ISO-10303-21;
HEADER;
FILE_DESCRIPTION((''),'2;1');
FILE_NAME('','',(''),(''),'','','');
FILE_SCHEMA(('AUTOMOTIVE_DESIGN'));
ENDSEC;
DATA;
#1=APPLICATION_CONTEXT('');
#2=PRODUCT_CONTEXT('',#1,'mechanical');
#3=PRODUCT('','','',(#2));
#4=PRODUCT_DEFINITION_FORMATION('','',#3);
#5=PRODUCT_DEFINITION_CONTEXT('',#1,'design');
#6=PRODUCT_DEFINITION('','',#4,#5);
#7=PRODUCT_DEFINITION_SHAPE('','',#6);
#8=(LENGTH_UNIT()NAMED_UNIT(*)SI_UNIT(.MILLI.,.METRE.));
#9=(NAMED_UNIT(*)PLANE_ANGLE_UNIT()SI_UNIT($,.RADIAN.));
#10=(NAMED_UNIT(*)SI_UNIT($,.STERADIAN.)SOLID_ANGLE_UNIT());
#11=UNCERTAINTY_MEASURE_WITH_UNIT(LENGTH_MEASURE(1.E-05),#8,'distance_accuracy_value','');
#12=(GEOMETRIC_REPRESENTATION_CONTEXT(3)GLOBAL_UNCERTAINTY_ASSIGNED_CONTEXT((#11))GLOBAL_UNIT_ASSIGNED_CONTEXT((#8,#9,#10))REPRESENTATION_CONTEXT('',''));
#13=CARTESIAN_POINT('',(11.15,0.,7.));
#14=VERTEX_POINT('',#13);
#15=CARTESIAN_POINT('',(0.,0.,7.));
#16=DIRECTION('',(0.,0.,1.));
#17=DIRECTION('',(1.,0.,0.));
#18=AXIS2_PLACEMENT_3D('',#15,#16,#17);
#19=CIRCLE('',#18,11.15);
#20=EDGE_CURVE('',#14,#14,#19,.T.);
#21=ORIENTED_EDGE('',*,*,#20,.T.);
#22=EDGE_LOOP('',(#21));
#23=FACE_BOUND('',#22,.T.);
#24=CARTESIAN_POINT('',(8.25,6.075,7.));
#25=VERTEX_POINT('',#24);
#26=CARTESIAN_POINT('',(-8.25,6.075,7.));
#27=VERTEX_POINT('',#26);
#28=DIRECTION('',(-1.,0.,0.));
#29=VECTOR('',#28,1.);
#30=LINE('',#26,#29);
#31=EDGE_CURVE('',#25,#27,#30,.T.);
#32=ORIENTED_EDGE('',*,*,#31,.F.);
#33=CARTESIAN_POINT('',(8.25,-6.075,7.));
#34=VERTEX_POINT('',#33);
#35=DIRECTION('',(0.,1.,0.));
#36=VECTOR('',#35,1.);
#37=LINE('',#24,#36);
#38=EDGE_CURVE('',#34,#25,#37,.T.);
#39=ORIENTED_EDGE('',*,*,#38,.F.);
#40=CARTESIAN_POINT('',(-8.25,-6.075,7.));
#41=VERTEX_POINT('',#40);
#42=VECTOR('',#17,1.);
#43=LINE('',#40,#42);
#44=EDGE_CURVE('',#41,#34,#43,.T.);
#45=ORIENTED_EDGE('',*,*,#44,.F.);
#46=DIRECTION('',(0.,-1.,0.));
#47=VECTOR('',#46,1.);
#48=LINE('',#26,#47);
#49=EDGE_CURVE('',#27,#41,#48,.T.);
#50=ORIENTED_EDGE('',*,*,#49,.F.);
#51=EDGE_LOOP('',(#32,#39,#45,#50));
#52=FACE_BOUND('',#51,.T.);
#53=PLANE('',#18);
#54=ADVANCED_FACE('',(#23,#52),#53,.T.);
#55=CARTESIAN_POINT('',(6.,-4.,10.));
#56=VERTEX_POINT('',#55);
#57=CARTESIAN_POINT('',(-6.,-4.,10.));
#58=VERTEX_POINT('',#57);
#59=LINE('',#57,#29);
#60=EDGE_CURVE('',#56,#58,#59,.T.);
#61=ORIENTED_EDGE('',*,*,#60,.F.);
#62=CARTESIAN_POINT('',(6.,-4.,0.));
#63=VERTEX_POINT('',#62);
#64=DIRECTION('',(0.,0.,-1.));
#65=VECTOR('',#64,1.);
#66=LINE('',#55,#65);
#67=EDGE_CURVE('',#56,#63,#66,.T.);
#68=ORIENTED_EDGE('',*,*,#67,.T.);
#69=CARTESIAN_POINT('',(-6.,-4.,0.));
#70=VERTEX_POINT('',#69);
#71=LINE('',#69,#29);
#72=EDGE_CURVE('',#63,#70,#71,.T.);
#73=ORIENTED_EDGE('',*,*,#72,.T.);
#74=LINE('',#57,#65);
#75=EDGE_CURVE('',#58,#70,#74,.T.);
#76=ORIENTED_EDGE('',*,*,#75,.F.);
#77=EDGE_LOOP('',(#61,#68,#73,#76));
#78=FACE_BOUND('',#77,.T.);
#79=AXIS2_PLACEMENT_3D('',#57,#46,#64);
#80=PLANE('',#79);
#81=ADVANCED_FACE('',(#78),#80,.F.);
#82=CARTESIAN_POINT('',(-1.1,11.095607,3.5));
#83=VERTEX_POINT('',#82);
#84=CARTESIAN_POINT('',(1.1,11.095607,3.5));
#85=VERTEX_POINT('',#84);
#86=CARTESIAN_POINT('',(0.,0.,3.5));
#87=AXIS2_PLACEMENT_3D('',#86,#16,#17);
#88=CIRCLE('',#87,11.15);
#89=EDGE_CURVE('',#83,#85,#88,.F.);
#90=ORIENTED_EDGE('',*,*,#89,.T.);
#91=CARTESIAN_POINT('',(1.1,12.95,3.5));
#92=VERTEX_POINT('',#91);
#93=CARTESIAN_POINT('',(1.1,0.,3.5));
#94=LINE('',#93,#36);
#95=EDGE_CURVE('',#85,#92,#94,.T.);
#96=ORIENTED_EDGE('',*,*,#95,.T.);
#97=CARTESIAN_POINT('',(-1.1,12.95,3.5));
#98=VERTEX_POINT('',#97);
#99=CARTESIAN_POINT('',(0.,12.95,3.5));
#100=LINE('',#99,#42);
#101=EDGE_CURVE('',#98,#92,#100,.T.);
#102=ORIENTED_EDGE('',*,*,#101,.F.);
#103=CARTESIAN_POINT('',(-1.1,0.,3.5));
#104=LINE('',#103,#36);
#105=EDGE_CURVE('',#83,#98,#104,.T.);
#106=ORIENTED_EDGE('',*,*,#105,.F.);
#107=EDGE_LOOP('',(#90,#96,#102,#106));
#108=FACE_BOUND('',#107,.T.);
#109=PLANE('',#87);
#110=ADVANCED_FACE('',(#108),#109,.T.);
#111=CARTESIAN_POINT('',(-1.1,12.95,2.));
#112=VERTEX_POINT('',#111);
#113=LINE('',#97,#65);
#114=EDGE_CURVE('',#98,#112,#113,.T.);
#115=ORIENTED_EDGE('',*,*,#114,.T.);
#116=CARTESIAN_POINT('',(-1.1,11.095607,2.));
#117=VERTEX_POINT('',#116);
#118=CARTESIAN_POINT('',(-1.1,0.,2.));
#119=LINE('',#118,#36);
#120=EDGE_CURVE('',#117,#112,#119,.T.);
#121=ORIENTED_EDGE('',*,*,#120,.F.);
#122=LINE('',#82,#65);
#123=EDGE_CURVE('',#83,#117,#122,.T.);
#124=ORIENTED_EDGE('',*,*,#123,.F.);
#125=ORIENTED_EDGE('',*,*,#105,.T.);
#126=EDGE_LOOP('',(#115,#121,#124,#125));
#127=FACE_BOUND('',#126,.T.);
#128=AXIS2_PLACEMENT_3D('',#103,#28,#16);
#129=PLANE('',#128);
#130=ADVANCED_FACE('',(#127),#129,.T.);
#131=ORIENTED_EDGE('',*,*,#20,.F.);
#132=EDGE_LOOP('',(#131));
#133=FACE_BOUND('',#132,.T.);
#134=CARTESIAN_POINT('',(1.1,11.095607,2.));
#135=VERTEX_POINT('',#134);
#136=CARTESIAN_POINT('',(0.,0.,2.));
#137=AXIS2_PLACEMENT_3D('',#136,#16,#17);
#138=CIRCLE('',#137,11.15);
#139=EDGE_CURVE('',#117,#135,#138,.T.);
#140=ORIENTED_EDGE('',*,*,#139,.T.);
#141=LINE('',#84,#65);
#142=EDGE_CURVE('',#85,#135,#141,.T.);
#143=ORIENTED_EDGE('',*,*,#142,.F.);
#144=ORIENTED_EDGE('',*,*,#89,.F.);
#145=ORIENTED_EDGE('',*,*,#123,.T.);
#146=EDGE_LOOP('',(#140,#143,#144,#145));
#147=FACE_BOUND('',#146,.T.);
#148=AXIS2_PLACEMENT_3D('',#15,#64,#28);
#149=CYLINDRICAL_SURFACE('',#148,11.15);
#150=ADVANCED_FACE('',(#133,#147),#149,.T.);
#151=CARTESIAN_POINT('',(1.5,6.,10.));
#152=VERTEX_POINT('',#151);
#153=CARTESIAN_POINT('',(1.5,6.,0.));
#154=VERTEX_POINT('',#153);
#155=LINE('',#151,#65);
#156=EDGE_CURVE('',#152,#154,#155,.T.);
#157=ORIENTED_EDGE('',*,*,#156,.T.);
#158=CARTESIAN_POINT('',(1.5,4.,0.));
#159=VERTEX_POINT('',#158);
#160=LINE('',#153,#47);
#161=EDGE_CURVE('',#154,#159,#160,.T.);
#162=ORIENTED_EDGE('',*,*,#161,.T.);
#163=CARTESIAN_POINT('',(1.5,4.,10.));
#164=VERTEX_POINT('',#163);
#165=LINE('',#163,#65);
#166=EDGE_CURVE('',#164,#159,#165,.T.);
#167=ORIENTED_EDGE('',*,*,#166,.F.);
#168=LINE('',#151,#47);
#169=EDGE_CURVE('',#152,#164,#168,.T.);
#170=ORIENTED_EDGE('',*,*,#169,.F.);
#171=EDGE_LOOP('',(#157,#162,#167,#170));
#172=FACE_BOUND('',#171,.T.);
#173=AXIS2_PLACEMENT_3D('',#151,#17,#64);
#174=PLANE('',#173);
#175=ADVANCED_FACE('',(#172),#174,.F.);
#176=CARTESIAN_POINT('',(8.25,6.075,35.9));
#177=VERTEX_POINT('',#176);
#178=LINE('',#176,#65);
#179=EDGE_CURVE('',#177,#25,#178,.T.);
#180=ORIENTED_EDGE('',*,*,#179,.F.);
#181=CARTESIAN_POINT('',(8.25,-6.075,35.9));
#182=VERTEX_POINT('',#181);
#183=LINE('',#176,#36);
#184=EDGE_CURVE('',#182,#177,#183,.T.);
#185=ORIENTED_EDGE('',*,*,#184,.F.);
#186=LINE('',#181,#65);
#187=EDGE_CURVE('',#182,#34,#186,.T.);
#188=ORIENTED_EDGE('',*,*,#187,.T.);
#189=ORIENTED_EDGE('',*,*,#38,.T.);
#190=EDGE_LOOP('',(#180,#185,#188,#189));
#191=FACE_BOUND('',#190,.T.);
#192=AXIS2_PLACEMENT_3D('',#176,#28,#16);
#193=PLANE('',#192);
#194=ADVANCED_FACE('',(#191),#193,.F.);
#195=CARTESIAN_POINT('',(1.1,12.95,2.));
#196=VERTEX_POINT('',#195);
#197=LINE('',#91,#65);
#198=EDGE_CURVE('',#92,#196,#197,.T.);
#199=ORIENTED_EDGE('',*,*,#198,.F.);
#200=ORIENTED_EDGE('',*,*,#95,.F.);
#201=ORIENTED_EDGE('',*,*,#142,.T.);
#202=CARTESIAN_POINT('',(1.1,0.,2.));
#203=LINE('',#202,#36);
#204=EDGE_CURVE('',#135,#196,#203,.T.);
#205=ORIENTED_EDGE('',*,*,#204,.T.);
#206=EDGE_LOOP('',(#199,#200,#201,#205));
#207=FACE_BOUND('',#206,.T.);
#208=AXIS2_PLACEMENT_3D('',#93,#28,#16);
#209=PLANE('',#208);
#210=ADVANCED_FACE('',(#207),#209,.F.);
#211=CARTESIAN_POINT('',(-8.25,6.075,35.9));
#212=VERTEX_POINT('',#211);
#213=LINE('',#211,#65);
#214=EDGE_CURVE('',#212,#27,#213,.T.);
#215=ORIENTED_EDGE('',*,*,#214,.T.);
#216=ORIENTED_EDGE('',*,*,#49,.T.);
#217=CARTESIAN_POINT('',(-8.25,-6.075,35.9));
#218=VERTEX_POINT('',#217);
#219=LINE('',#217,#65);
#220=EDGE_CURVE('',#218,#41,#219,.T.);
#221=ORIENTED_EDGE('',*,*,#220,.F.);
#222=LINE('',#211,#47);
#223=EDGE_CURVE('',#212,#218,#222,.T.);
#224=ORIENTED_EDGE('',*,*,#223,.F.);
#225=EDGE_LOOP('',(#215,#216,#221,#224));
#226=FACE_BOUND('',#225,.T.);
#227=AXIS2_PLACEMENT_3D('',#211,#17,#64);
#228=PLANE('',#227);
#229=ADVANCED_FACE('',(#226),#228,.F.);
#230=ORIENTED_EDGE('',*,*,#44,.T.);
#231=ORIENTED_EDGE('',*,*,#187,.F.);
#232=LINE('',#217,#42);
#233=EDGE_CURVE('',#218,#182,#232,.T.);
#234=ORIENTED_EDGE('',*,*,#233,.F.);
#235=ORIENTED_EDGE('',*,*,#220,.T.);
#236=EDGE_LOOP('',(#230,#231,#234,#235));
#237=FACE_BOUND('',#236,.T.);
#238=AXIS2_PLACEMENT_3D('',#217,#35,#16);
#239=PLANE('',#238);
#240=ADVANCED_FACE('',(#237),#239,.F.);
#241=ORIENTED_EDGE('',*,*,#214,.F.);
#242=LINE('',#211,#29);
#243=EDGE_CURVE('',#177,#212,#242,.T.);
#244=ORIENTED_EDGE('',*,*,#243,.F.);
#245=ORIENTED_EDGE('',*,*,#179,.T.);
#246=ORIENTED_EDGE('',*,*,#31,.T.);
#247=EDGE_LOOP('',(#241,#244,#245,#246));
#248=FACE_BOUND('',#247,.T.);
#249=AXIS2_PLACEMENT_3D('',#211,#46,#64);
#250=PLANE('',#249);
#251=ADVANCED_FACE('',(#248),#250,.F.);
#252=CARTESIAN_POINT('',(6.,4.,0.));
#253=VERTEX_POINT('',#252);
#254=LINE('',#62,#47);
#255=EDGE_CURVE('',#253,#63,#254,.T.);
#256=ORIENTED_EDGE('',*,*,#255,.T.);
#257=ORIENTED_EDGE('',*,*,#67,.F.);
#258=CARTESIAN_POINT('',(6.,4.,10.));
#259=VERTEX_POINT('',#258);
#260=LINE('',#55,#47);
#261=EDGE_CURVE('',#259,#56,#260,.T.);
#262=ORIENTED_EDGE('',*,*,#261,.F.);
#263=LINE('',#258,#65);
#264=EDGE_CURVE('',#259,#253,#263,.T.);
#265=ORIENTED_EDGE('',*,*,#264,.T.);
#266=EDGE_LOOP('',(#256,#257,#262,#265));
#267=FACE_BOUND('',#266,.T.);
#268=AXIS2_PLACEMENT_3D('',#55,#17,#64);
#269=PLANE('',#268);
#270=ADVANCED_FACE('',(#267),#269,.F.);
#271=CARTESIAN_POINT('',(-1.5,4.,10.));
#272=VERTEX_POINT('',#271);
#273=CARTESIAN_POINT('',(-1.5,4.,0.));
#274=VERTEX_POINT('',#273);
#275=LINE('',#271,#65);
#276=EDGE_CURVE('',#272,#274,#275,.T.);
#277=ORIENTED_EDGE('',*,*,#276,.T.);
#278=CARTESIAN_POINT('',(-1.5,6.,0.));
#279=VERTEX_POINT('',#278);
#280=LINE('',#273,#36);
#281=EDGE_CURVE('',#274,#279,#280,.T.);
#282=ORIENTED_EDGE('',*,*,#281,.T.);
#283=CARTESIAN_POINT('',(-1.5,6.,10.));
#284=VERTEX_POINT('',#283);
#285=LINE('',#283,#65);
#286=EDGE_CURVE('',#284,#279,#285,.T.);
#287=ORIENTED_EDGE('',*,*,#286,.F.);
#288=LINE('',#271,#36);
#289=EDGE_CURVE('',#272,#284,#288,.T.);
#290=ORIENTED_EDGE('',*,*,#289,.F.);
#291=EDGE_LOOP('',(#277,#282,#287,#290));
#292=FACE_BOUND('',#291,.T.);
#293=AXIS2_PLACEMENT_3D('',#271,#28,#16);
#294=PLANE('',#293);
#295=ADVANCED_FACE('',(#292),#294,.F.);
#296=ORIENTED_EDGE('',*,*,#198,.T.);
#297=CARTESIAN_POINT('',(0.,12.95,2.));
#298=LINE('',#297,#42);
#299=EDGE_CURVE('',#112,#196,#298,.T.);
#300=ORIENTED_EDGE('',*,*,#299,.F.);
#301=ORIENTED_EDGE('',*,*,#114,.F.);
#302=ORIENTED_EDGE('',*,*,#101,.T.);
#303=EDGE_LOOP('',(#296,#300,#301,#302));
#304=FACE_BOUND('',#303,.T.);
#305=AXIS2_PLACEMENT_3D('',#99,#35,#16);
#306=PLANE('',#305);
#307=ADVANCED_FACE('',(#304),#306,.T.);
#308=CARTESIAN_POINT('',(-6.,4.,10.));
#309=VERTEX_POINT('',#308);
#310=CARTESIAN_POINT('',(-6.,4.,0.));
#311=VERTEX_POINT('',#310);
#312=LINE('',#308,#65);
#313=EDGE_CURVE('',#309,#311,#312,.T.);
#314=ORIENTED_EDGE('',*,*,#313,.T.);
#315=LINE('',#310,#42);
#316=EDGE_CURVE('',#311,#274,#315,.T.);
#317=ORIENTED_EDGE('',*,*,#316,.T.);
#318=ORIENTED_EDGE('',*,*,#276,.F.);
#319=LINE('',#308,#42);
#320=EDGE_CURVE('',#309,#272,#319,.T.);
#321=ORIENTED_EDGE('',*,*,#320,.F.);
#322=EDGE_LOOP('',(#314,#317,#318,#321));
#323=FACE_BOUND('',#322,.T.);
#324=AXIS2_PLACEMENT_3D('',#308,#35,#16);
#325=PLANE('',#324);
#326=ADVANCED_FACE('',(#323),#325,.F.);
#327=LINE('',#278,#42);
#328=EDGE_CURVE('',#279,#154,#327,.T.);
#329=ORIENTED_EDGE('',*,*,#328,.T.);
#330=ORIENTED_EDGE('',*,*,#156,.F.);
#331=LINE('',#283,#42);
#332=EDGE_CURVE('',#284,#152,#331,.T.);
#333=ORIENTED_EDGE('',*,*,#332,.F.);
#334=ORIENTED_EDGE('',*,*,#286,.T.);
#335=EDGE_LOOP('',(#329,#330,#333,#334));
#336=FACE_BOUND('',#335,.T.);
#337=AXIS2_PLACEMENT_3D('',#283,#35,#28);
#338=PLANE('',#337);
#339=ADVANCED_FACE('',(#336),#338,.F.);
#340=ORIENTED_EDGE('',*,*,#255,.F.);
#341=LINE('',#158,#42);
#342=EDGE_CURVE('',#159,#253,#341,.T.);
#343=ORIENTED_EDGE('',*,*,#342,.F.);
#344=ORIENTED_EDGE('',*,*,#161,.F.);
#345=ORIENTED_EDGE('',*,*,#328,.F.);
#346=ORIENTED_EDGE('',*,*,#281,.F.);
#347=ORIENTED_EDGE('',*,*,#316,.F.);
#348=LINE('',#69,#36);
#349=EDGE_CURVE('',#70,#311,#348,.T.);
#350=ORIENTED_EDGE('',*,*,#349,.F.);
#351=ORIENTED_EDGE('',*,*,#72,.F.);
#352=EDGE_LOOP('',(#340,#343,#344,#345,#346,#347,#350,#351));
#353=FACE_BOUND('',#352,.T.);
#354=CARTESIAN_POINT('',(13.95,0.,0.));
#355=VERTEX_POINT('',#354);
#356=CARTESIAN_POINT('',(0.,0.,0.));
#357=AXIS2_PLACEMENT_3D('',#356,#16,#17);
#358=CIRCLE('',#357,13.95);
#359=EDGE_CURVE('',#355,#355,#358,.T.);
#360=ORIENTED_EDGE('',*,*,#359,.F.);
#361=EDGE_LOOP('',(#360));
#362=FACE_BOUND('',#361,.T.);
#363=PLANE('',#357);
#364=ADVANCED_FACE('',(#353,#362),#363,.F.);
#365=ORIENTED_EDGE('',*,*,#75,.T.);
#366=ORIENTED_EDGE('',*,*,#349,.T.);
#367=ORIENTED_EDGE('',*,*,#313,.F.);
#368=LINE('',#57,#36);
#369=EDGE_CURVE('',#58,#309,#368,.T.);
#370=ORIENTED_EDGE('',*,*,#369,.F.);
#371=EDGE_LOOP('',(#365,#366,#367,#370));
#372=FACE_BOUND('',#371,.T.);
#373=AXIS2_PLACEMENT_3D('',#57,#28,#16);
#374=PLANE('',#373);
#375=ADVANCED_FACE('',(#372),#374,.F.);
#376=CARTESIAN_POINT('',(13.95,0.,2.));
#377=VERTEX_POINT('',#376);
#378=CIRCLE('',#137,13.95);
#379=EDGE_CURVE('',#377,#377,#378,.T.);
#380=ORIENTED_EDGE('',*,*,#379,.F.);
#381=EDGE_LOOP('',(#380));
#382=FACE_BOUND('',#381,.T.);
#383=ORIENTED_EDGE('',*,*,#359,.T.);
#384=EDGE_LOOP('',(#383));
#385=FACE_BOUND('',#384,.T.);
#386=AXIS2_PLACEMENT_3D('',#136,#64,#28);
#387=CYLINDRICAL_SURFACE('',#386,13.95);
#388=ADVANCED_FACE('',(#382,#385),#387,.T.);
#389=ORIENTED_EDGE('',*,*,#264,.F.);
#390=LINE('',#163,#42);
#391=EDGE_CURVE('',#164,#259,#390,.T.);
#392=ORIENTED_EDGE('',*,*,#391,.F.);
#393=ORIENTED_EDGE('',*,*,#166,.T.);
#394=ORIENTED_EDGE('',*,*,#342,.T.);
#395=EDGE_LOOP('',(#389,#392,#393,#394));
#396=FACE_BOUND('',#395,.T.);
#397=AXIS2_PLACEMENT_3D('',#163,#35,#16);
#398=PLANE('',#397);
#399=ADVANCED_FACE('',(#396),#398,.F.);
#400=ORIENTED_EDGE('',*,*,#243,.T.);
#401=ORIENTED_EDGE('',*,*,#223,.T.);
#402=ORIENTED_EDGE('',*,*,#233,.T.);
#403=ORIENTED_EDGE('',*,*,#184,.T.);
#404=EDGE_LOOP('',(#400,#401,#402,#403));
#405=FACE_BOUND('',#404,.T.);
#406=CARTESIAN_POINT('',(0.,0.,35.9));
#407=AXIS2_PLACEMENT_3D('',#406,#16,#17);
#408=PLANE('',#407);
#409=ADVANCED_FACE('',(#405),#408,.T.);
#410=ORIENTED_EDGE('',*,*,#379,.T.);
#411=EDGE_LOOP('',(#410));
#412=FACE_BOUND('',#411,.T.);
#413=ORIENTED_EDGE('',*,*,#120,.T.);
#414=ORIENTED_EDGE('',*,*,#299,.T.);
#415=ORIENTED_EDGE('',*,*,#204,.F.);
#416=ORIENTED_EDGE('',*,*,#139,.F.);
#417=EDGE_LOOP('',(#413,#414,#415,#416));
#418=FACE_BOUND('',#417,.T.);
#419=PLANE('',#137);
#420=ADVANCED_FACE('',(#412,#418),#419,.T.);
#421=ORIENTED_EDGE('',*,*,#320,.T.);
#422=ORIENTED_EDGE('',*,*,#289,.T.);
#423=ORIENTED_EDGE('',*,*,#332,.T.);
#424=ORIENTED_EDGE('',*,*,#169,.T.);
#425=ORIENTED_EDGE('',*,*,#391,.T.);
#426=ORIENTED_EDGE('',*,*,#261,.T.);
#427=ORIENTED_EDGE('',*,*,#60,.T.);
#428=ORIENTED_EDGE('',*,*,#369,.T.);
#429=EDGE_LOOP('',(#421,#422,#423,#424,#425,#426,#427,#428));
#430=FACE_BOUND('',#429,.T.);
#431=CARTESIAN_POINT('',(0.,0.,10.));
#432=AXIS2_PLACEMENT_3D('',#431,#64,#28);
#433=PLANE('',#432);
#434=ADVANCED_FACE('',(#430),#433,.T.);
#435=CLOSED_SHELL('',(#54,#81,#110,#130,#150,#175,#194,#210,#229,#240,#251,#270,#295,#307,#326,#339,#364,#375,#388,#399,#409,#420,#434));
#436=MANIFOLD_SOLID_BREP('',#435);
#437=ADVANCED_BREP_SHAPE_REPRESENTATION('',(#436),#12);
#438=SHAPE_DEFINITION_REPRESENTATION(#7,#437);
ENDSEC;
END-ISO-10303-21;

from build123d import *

# Parameters (mm, degrees)
ESQUISSE1_R             = 13.95
BOSS_EXTRU_1_DEPTH      = 2
ESQUISSE2_R             = 11.15
BOSS_EXTRU_2_DEPTH      = 5
BOSS_EXTRU_3_DEPTH      = 1.5
ESQUISSE4_W             = 16.5
ESQUISSE4_H             = 12.15
BOSS_EXTRU_4_DEPTH      = 28.9
ENL_V_MAT_EXTRU_1_DEPTH = 10


with BuildPart() as part:
    # Esquisse1 → Boss.-Extru.1 (new body)
    with BuildSketch(Plane.XY):
        Circle(ESQUISSE1_R)
    extrude(amount=BOSS_EXTRU_1_DEPTH)

    # Esquisse2 → Boss.-Extru.2 (add)
    with BuildSketch(Plane.XY.offset(2)):
        Circle(ESQUISSE2_R)
    extrude(amount=BOSS_EXTRU_2_DEPTH)

    # Esquisse3 → Boss.-Extru.3 (add)
    with BuildSketch(Plane.XY.offset(2)):
        with BuildLine():
            ThreePointArc((-1.1, 11.095607239), (0, 11.15), (1.1, 11.095607239))
            Line((1.1, 11.095607239), (1.1, 12.95))
            Line((1.1, 12.95), (-1.1, 12.95))
            Line((-1.1, 12.95), (-1.1, 11.095607239))
        make_face()
    extrude(amount=BOSS_EXTRU_3_DEPTH)

    # Esquisse4 → Boss.-Extru.4 (add)
    with BuildSketch(Plane.XY.offset(7)):
        Rectangle(ESQUISSE4_W, ESQUISSE4_H)
    extrude(amount=BOSS_EXTRU_4_DEPTH)

    # Esquisse6 → Enlèv. mat.-Extru.1 (cut)
    with BuildSketch(Plane(origin=(0, 0, 0), x_dir=(-1, 0, 0), z_dir=(0, 0, -1))):
        Polygon((6, 4), (1.5, 4), (1.5, 6), (-1.5, 6), (-1.5, 4), (-6, 4), (-6, -4), (6, -4), align=None)
    extrude(amount=-ENL_V_MAT_EXTRU_1_DEPTH, mode=Mode.SUBTRACT)


solid = part.part
